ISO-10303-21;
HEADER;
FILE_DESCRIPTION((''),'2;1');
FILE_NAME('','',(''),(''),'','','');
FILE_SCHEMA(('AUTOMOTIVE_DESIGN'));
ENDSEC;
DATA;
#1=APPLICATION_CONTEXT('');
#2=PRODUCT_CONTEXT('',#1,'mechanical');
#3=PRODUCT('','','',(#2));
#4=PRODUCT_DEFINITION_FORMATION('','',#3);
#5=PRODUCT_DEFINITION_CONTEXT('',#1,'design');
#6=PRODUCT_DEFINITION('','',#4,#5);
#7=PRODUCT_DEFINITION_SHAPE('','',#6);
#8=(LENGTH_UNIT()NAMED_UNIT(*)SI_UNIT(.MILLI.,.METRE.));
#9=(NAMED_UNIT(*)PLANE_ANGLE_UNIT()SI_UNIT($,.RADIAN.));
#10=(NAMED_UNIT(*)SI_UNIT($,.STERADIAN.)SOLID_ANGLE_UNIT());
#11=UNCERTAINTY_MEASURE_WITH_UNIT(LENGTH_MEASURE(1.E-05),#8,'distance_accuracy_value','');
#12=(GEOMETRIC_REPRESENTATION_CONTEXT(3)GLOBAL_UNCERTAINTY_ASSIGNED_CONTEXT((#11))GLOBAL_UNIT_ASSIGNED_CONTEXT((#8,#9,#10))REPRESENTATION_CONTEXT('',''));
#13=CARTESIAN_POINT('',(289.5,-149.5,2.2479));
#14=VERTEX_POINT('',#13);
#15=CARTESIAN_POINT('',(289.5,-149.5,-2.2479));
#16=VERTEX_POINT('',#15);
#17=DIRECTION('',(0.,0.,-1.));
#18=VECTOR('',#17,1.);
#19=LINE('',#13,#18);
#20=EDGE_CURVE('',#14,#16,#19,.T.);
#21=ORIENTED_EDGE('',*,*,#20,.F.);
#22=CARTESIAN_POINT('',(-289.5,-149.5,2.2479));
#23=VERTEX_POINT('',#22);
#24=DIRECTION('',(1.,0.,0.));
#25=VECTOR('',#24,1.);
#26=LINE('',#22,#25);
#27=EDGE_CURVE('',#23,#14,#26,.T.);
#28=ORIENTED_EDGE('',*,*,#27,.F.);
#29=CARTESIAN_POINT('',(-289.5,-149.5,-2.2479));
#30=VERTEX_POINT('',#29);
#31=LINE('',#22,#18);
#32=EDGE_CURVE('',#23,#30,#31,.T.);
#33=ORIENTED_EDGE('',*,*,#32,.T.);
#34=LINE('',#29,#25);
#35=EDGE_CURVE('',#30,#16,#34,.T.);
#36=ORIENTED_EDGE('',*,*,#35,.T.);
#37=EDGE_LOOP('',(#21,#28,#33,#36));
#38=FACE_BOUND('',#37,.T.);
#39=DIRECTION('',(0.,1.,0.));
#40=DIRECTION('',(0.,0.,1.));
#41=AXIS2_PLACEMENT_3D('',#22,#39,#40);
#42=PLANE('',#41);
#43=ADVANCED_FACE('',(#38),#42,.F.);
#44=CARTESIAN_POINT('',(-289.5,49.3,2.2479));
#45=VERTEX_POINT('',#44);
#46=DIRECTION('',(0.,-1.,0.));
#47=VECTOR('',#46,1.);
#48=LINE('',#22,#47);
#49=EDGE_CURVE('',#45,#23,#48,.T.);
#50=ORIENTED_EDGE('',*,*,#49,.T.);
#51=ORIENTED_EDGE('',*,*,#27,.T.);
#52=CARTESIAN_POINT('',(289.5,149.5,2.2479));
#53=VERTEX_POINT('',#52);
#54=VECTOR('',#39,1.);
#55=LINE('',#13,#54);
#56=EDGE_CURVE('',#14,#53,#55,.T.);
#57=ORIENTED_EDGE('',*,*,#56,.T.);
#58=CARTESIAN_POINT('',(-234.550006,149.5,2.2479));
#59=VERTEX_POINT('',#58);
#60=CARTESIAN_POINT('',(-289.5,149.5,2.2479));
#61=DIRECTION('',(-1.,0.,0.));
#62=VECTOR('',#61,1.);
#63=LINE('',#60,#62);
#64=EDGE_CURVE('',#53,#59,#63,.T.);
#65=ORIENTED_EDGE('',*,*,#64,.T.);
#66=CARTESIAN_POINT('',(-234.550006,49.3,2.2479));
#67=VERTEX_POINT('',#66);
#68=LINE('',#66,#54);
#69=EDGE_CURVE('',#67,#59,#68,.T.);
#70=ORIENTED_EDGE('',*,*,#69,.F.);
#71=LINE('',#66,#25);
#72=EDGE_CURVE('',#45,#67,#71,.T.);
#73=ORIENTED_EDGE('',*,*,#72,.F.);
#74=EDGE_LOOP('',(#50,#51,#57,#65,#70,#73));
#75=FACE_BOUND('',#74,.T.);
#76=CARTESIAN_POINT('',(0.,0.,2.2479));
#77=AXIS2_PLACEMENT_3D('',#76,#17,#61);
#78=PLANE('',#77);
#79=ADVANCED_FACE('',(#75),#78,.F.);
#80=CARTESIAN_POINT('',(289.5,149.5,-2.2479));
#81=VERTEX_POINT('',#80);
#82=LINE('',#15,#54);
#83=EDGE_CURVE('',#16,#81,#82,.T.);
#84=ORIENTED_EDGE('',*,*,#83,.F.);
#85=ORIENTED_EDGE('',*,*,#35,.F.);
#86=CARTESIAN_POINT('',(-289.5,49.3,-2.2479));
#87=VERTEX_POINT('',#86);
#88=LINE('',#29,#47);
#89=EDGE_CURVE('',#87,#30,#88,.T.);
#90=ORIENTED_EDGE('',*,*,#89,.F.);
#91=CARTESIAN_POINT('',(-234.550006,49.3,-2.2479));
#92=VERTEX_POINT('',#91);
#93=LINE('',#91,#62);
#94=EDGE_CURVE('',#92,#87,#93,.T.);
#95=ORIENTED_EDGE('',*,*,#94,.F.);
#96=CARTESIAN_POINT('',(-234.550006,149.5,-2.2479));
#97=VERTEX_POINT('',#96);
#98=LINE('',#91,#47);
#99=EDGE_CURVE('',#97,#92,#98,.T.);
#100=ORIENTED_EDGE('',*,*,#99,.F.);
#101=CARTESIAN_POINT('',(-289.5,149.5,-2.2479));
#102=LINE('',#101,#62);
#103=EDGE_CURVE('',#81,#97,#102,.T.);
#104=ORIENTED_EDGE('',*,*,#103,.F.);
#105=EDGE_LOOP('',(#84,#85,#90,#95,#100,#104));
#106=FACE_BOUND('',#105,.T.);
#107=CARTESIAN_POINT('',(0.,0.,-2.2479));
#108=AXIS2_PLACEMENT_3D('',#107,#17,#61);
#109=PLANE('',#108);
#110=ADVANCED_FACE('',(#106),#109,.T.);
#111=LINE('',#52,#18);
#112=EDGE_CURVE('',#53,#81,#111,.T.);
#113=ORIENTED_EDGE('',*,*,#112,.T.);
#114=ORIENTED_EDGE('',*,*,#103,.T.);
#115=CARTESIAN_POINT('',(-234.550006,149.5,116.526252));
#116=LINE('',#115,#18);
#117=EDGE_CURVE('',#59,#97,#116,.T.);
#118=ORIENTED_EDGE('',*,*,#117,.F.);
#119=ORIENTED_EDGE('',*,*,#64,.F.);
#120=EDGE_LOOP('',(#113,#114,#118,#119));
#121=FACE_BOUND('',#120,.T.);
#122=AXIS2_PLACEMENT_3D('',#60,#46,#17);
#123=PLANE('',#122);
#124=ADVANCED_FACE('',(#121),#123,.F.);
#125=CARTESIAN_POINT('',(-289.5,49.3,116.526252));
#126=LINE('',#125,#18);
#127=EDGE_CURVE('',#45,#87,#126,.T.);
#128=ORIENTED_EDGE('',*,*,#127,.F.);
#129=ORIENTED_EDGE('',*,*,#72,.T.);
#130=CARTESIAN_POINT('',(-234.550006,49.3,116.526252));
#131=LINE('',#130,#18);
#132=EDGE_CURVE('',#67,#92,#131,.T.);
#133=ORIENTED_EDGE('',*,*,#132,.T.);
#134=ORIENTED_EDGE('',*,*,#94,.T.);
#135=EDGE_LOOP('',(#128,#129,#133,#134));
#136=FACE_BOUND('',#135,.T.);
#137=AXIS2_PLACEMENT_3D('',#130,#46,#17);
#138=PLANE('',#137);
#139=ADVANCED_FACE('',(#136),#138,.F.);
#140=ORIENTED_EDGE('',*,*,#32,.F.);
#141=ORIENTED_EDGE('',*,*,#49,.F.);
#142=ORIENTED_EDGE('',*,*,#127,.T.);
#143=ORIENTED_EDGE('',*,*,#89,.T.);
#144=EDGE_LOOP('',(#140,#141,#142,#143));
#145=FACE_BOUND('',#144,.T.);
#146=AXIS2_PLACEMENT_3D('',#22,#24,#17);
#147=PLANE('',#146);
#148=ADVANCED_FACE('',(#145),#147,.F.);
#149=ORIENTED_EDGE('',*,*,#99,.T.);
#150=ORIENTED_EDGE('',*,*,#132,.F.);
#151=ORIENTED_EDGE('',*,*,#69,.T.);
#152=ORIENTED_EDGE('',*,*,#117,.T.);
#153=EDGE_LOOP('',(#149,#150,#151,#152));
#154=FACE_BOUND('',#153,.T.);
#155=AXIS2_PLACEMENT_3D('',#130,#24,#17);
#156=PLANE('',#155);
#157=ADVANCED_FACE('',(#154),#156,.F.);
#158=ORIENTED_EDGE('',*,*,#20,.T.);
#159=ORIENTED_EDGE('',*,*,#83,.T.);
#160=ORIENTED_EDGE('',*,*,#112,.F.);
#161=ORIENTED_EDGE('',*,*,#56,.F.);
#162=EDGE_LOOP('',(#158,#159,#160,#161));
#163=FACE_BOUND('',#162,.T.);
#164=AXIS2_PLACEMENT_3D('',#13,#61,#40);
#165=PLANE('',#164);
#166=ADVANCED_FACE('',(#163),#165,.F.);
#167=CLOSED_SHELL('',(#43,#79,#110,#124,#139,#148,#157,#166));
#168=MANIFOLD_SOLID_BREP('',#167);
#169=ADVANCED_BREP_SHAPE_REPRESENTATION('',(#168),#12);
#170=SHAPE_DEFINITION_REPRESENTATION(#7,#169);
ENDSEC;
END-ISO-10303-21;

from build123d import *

# Parameters (mm, degrees)
SKETCH1_W           = 579
SKETCH1_H           = 299
BOSS_EXTRUDE1_DEPTH = 2.2479
SKETCH2_W           = 54.949993563
SKETCH2_H           = 100.2
CUT_EXTRUDE1_DEPTH  = 4.4958


with BuildPart() as part:
    # Sketch1 → Boss-Extrude1 (new body, symmetric)
    with BuildSketch(Plane.XY):
        Rectangle(SKETCH1_W, SKETCH1_H)
    extrude(amount=BOSS_EXTRUDE1_DEPTH, both=True)

    # Sketch2 → Cut-Extrude1 (cut)
    with BuildSketch(Plane(origin=(0, 0, -2.2479), x_dir=(-1, 0, 0), z_dir=(0, 0, -1))):
        with Locations((262.025003218, 99.4)):
            Rectangle(SKETCH2_W, SKETCH2_H)
    extrude(amount=-CUT_EXTRUDE1_DEPTH, mode=Mode.SUBTRACT)


solid = part.part
